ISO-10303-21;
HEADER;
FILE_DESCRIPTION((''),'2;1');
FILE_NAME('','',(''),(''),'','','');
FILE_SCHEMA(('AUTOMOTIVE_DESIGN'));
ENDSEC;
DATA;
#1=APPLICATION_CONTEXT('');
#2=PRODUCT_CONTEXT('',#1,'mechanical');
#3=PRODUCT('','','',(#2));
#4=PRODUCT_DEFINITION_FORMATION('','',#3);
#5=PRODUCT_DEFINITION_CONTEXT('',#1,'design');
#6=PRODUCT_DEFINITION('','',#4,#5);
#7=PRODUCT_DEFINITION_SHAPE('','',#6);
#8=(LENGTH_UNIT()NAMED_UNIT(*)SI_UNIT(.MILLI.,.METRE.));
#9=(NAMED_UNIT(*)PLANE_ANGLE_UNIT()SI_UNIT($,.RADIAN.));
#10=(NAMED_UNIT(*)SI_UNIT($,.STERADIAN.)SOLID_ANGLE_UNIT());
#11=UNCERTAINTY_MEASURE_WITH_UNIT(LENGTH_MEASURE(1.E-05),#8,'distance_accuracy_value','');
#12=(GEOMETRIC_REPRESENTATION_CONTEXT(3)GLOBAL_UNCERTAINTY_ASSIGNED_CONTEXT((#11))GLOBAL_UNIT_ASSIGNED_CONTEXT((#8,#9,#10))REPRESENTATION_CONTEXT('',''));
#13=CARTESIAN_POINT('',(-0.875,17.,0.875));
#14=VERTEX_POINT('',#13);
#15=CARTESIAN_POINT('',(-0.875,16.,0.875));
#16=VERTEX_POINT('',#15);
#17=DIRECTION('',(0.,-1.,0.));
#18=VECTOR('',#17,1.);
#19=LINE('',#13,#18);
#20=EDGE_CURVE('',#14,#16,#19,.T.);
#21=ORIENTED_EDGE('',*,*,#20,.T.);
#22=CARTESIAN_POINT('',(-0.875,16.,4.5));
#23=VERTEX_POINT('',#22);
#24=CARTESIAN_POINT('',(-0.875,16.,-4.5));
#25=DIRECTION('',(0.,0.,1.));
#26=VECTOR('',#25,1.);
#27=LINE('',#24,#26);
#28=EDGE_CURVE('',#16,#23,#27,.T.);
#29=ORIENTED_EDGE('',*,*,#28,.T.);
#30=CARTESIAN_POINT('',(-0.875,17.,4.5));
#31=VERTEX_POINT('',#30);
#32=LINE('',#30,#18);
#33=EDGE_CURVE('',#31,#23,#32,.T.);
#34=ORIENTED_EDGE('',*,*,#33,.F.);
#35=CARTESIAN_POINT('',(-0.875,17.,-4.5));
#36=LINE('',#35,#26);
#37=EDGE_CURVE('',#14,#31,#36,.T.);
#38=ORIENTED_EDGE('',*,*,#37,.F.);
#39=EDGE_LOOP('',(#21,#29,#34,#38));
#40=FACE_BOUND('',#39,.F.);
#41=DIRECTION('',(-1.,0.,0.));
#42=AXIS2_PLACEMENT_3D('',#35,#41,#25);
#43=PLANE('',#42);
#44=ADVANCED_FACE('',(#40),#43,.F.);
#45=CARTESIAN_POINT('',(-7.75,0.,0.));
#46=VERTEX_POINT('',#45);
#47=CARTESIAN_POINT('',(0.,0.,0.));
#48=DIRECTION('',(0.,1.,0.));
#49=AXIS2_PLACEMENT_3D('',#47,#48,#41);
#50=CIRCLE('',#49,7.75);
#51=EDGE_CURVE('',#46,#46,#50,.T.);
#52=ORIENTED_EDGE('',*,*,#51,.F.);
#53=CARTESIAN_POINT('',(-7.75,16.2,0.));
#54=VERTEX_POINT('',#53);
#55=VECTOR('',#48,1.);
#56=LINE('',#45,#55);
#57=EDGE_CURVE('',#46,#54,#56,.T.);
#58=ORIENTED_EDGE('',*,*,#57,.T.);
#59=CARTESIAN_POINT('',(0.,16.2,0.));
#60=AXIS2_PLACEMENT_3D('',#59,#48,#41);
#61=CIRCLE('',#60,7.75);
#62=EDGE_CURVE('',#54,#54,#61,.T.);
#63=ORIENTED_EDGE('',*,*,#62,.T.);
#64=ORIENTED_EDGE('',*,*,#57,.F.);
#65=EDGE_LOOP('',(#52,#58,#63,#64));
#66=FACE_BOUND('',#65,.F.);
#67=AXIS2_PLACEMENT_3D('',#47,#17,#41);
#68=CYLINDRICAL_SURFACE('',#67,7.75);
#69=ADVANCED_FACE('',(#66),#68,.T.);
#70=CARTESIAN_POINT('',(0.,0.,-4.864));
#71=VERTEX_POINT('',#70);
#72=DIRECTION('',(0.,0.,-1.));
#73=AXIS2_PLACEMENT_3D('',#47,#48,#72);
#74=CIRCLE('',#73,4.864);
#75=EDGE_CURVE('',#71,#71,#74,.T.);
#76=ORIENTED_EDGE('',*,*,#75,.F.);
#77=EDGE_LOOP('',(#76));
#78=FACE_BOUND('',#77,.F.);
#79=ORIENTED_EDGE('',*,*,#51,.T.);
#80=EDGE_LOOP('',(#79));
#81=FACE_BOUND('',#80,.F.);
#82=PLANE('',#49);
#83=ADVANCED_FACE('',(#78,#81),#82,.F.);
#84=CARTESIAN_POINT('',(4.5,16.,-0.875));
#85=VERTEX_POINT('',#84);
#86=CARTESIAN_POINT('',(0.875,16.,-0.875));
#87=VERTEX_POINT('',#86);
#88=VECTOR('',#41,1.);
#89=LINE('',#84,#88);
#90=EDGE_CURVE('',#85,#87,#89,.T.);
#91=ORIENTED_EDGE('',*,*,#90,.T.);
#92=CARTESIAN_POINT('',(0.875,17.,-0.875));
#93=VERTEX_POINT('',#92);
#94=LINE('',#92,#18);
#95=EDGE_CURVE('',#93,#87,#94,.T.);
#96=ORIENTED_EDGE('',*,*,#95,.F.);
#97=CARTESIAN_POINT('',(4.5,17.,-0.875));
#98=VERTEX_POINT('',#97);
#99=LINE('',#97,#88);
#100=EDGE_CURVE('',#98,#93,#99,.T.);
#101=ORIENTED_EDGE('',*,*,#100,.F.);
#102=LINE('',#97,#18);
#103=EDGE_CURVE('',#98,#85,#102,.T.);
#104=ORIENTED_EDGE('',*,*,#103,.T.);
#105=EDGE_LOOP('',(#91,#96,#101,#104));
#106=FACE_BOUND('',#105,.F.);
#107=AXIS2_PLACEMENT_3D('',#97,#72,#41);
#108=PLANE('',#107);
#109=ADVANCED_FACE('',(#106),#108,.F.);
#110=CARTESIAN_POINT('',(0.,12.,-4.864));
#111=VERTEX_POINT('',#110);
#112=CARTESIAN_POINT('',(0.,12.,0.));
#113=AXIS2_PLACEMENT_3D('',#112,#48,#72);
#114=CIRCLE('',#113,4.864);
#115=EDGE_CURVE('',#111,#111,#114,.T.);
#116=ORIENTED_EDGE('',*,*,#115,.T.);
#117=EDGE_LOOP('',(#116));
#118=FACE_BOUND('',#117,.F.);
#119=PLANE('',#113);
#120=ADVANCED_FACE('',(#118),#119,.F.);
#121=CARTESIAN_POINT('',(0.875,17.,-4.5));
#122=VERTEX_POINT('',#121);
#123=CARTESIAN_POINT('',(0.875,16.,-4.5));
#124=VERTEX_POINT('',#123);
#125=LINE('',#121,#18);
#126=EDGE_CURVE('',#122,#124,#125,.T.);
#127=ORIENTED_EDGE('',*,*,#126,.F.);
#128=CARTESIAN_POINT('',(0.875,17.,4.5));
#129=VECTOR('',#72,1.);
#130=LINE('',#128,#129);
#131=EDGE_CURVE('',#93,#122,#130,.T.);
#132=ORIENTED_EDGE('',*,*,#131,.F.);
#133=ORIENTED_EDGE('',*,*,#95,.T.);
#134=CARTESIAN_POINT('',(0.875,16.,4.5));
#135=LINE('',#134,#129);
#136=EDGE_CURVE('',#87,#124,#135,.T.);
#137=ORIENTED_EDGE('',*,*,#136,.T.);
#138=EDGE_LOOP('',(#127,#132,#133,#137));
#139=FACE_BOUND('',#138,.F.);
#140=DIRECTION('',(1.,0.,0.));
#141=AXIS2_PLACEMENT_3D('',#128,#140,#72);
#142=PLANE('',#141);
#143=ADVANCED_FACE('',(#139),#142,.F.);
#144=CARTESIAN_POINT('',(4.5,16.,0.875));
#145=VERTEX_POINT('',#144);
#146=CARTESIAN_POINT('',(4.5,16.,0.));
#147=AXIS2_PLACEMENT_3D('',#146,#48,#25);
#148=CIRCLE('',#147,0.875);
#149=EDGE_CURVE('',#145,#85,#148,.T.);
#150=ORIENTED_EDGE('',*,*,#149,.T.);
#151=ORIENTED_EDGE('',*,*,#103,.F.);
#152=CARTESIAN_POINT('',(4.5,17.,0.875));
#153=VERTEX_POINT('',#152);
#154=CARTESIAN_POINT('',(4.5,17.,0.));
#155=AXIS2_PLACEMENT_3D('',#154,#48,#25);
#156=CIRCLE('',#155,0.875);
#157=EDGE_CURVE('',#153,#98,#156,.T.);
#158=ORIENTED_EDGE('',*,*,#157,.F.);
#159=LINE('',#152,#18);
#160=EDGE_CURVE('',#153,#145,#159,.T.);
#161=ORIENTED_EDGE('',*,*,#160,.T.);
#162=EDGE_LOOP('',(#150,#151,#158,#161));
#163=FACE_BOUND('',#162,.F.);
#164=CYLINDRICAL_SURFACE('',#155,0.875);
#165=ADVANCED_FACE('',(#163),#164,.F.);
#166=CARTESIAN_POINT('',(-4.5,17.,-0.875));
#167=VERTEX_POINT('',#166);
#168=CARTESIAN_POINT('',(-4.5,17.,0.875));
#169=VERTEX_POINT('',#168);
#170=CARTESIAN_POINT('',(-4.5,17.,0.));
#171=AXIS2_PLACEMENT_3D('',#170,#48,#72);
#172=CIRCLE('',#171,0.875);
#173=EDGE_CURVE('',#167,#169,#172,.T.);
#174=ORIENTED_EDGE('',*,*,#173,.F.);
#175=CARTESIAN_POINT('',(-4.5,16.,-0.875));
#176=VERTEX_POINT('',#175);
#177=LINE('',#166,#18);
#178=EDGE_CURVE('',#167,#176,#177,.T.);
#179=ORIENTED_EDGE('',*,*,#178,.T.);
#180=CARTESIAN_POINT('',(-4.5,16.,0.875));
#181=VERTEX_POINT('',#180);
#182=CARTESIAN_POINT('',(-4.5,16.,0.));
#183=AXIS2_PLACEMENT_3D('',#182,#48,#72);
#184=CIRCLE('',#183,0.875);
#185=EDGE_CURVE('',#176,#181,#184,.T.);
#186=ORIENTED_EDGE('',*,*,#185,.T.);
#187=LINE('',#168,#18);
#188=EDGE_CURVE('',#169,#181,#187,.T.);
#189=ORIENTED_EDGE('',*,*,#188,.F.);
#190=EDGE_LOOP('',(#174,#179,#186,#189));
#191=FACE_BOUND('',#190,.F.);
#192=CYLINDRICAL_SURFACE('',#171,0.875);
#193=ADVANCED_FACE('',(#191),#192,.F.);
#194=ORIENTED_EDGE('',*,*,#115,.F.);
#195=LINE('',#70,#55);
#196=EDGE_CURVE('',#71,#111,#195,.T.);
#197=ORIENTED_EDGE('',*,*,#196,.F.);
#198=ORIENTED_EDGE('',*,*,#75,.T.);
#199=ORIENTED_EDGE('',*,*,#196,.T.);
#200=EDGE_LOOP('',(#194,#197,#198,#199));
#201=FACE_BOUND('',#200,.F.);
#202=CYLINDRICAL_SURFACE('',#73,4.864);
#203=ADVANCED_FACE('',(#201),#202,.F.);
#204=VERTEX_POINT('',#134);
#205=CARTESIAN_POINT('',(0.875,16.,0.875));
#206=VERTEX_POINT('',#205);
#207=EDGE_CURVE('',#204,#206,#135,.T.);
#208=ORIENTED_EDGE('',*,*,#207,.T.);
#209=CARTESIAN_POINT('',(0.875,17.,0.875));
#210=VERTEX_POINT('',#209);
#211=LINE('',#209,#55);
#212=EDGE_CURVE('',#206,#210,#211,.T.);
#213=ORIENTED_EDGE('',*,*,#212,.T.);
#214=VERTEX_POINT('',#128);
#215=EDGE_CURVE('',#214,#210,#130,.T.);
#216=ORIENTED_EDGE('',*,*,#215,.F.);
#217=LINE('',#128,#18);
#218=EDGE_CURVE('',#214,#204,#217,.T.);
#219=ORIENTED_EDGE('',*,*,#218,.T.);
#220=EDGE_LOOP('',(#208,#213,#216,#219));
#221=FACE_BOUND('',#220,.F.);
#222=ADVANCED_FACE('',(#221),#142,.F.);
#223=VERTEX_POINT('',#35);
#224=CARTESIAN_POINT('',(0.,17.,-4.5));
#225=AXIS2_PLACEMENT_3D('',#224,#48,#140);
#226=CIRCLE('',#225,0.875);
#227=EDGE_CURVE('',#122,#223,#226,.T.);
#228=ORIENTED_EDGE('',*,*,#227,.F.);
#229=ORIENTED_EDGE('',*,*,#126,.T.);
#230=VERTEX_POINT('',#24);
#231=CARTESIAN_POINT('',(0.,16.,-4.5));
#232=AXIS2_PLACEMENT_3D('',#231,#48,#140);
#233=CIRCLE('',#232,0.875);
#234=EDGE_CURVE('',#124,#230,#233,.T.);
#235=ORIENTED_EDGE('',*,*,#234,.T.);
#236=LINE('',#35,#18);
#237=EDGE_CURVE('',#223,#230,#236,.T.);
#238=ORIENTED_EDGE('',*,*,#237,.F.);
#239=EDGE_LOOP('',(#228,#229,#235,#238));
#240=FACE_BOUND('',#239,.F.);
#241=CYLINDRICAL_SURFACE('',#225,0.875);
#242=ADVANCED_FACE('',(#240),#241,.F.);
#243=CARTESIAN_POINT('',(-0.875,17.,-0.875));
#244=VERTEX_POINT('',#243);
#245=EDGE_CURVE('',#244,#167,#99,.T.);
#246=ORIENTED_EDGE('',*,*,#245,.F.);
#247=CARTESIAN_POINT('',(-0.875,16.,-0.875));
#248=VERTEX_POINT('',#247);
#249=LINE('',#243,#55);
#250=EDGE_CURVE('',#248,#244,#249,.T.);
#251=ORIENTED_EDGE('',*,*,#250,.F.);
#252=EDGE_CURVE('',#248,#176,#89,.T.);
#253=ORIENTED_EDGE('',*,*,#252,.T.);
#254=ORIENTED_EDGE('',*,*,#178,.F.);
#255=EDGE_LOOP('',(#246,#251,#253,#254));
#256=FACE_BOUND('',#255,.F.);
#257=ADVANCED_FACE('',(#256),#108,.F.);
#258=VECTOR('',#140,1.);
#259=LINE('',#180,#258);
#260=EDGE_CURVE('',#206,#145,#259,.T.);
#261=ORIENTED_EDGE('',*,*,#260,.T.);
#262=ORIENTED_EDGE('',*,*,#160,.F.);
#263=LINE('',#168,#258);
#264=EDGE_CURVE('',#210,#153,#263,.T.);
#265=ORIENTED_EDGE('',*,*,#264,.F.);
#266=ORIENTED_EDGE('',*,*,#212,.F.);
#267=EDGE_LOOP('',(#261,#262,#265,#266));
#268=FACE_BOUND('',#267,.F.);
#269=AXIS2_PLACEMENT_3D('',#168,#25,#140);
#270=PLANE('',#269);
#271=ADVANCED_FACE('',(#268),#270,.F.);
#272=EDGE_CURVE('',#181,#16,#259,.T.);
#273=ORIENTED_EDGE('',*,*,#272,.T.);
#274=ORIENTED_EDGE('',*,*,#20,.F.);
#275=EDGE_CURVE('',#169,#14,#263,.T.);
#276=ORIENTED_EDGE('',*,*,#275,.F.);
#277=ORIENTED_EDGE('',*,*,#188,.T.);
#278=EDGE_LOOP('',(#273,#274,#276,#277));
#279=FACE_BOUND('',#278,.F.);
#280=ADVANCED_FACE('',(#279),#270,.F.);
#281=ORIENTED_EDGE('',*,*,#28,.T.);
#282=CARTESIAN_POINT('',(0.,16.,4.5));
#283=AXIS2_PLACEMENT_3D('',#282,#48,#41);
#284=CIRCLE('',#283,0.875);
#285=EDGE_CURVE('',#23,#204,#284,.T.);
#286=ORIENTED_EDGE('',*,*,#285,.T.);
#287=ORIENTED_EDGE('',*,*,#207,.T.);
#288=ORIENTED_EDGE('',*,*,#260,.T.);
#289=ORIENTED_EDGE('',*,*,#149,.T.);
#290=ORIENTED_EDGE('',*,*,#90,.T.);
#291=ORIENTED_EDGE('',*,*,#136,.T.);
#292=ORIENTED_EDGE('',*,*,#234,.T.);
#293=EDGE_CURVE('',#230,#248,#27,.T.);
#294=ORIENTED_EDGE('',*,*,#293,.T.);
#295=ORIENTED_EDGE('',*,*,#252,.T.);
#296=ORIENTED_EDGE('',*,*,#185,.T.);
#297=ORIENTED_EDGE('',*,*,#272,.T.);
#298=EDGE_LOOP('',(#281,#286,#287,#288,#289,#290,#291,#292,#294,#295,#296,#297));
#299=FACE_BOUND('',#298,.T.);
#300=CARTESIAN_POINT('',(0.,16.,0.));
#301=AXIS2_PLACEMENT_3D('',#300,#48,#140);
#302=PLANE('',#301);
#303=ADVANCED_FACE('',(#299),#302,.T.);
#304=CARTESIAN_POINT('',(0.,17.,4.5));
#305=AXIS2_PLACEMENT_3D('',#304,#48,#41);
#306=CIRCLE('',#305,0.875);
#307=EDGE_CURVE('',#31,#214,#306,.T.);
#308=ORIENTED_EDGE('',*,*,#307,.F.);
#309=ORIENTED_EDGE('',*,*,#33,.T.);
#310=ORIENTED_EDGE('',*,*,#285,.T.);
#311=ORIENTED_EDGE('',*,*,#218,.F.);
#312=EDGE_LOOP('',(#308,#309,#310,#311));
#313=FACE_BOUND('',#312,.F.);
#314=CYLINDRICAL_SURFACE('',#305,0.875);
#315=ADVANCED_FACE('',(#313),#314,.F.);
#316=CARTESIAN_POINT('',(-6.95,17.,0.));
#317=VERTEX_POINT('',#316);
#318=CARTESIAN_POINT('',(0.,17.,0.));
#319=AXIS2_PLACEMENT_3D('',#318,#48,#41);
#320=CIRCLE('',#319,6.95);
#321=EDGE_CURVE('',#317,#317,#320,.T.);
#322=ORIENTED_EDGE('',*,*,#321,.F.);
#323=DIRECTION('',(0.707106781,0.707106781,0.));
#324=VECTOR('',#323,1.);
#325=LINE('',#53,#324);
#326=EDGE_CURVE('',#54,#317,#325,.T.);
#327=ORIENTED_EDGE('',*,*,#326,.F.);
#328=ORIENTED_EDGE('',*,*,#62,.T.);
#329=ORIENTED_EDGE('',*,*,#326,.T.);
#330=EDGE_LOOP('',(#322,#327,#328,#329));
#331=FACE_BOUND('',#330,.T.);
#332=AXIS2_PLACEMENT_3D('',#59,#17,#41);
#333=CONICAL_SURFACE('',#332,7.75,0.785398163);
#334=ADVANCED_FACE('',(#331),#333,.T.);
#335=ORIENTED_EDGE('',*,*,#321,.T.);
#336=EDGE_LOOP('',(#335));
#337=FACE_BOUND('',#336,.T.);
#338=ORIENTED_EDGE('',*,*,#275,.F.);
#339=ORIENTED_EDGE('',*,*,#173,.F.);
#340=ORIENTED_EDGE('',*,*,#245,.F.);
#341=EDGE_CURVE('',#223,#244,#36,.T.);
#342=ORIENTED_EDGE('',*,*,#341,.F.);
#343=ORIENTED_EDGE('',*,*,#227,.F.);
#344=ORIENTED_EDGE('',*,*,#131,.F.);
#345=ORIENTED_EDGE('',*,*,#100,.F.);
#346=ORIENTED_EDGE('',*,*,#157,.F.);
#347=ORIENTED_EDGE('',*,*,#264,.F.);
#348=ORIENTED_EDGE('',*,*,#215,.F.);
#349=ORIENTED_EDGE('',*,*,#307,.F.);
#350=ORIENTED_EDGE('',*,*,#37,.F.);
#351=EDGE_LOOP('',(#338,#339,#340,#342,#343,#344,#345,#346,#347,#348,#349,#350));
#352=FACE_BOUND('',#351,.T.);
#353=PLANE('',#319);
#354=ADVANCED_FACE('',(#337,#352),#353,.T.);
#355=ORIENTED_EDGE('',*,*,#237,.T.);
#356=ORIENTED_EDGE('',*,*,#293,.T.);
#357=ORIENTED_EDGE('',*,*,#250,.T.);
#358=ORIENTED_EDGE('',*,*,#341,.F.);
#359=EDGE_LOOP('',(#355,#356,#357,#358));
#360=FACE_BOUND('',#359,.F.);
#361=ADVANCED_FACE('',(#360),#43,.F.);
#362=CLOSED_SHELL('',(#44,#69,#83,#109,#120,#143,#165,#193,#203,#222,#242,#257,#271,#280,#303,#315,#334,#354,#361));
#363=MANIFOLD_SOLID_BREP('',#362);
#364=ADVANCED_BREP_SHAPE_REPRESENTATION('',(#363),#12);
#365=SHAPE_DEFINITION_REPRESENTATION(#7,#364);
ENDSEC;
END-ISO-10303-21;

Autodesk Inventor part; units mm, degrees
ref_plane "YZ Plane" through (0, 0, 0) normal (1, 0, 0) x (0, 1, 0)
ref_plane "XZ Plane" through (0, 0, 0) normal (0, 1, 0) x (-1, 0, 0)
ref_plane "XY Plane" through (0, 0, 0) normal (0, 0, 1) x (1, 0, 0)
sketch "Szkic1" plane through (0, 0, 0) normal (0, 1, 0) x (-1, 0, 0)
  circle A0 centre (0, 0) radius 7.75
  dimension "d0" = 15.5
extrude "Wyciągnięcie proste1" add sketch "Szkic1" along normal blind 17
hole "Otwór1" at (0, 0, 0) direction (0, 1, 0) diameter 9.728 depth 12 thread size "7/16-20 UNF" class "2B" standard "ANSI Unified Screw Threads"
chamfer "Faza1" distance 0.8 angle 45 1 edges at (7.75, 17, 0)
sketch "Szkic2" plane through (0, 17, 0) normal (0, 1, 0) x (1, 0, 0)
  circle A0 centre (0, 0) radius 6.95 projected
  line L0 (-4.5, 0) -> (4.5, 0) construction
  line L1 (-4.5, -0.875) -> (4.5, -0.875)
  line L2 (4.5, 0.875) -> (-4.5, 0.875)
  arc A1 (-4.5, 0.875) -> (-4.5, -0.875) centre (-4.5, 0) ccw
  arc A2 (4.5, -0.875) -> (4.5, 0.875) centre (4.5, 0) ccw
  point P0 (0, 0.875)
  dimension "d15" = 1.75
  dimension "d16" = 9
extrude "Wyciągnięcie proste2" cut sketch "Szkic2" against normal blind 1 contours A1 L2 A2 L1
pattern_circular "Szyk kołowy1" count 4 over 360 about axis through (0, 0, 0) along (0, 1, 0) of "Wyciągnięcie proste2"
properties part number "Filtr HOT 3P -korek" material "Tworzywo sztuczne PBT"
